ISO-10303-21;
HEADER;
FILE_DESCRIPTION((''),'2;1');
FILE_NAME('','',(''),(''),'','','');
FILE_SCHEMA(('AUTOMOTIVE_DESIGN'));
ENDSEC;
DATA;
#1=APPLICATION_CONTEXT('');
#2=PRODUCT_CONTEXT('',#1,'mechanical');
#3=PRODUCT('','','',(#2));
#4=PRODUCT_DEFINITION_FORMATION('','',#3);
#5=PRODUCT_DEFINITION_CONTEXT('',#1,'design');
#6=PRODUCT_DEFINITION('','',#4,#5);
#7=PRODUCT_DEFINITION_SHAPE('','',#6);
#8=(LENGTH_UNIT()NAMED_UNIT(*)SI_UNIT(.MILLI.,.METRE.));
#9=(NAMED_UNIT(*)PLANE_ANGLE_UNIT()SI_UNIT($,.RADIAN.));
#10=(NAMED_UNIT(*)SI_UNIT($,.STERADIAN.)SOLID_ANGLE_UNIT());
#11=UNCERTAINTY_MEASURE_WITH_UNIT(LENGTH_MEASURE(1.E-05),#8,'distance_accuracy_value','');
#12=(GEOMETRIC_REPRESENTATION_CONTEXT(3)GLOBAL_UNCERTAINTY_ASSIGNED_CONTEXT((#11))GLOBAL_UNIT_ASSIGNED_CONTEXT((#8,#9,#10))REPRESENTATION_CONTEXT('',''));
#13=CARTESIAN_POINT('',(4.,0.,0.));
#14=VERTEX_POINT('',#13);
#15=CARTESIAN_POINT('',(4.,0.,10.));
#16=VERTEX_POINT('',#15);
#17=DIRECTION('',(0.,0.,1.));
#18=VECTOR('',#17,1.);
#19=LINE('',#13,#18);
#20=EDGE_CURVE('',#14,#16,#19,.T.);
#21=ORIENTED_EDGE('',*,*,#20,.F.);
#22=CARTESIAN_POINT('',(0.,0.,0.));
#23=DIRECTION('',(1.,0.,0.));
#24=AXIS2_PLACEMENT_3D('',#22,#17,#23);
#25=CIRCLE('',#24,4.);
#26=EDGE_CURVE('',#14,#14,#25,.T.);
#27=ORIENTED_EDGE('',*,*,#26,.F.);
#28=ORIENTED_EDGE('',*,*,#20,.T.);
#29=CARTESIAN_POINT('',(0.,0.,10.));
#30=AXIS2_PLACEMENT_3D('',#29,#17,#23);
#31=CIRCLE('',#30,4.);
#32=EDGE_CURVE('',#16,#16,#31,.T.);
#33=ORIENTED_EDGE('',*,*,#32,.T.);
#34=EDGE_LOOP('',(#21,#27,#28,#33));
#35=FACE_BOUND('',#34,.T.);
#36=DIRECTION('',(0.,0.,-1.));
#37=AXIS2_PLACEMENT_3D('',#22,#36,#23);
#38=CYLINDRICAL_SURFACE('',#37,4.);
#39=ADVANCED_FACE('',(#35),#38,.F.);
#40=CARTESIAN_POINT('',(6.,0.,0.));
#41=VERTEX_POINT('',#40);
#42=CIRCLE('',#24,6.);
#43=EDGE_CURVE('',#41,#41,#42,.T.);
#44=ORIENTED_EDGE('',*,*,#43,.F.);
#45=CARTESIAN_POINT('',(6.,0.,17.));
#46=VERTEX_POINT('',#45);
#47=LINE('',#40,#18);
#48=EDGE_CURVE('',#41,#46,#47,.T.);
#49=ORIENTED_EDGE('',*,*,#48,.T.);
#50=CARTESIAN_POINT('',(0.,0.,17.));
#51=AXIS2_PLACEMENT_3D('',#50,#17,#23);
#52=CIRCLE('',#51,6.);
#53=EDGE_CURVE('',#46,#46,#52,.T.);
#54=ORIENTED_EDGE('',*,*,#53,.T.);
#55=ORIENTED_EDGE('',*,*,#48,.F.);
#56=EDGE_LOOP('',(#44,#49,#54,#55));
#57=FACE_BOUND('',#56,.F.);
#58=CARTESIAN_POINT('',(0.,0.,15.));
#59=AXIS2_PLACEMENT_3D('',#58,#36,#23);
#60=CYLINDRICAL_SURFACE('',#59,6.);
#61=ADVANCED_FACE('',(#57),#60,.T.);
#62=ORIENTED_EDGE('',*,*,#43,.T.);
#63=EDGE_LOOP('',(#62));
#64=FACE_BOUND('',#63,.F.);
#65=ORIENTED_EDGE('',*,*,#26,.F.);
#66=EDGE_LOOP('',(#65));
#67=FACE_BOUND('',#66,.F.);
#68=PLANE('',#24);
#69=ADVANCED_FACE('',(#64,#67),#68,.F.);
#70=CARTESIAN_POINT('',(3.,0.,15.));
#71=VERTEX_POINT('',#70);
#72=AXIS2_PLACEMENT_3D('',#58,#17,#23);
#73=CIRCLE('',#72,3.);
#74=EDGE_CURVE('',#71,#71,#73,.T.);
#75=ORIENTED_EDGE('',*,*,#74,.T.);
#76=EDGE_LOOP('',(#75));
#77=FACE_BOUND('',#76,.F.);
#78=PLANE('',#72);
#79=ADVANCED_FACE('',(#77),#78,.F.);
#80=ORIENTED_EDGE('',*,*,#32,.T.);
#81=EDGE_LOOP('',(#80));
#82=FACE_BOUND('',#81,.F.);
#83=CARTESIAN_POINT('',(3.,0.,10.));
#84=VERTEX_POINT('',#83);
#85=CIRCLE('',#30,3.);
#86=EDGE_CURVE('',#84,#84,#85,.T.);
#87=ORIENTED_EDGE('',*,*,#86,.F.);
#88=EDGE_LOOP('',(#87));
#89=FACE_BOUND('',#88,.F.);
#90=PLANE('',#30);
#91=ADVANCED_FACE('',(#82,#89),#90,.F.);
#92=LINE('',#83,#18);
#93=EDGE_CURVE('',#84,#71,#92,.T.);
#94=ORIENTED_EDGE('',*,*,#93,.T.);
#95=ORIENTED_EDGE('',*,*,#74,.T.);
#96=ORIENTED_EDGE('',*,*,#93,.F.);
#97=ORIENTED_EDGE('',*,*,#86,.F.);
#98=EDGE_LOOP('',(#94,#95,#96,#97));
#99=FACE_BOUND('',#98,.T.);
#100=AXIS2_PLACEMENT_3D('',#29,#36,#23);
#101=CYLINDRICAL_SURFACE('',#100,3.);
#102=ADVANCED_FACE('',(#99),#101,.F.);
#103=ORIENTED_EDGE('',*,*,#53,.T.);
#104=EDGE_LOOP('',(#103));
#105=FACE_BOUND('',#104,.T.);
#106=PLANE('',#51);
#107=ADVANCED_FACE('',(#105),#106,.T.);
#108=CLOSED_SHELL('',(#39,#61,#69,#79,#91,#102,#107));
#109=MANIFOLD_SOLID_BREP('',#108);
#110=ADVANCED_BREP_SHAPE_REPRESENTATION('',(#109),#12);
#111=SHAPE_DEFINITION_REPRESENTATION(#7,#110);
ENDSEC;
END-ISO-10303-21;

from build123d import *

# Parameters (mm, degrees)
F0_R     = 6
F0_R_2   = 4
F1_DEPTH = 10
F2_R     = 6
F2_R_2   = 4
F2_R_3   = 3
F3_DEPTH = 5
F4_R     = 6
F4_R_2   = 3
F5_DEPTH = 2


with BuildPart() as f1:
    # F0 (on Top) → F1 (new body)
    with BuildSketch(Plane.XY):
        Circle(F0_R)
        Circle(F0_R_2, mode=Mode.SUBTRACT)
    extrude(amount=F1_DEPTH)

    # F2 (on face) → F3 (join)
    with BuildSketch(Plane.XY.offset(10)):
        Circle(F2_R)
        Circle(F2_R_2, mode=Mode.SUBTRACT)
        Circle(F2_R_2)
        Circle(F2_R_3, mode=Mode.SUBTRACT)
    extrude(amount=F3_DEPTH)

    # F4 (on face) → F5 (join)
    with BuildSketch(Plane.XY.offset(15)):
        Circle(F4_R)
        Circle(F4_R_2, mode=Mode.SUBTRACT)
        Circle(F4_R_2)
    extrude(amount=F5_DEPTH)


solid = f1.part
